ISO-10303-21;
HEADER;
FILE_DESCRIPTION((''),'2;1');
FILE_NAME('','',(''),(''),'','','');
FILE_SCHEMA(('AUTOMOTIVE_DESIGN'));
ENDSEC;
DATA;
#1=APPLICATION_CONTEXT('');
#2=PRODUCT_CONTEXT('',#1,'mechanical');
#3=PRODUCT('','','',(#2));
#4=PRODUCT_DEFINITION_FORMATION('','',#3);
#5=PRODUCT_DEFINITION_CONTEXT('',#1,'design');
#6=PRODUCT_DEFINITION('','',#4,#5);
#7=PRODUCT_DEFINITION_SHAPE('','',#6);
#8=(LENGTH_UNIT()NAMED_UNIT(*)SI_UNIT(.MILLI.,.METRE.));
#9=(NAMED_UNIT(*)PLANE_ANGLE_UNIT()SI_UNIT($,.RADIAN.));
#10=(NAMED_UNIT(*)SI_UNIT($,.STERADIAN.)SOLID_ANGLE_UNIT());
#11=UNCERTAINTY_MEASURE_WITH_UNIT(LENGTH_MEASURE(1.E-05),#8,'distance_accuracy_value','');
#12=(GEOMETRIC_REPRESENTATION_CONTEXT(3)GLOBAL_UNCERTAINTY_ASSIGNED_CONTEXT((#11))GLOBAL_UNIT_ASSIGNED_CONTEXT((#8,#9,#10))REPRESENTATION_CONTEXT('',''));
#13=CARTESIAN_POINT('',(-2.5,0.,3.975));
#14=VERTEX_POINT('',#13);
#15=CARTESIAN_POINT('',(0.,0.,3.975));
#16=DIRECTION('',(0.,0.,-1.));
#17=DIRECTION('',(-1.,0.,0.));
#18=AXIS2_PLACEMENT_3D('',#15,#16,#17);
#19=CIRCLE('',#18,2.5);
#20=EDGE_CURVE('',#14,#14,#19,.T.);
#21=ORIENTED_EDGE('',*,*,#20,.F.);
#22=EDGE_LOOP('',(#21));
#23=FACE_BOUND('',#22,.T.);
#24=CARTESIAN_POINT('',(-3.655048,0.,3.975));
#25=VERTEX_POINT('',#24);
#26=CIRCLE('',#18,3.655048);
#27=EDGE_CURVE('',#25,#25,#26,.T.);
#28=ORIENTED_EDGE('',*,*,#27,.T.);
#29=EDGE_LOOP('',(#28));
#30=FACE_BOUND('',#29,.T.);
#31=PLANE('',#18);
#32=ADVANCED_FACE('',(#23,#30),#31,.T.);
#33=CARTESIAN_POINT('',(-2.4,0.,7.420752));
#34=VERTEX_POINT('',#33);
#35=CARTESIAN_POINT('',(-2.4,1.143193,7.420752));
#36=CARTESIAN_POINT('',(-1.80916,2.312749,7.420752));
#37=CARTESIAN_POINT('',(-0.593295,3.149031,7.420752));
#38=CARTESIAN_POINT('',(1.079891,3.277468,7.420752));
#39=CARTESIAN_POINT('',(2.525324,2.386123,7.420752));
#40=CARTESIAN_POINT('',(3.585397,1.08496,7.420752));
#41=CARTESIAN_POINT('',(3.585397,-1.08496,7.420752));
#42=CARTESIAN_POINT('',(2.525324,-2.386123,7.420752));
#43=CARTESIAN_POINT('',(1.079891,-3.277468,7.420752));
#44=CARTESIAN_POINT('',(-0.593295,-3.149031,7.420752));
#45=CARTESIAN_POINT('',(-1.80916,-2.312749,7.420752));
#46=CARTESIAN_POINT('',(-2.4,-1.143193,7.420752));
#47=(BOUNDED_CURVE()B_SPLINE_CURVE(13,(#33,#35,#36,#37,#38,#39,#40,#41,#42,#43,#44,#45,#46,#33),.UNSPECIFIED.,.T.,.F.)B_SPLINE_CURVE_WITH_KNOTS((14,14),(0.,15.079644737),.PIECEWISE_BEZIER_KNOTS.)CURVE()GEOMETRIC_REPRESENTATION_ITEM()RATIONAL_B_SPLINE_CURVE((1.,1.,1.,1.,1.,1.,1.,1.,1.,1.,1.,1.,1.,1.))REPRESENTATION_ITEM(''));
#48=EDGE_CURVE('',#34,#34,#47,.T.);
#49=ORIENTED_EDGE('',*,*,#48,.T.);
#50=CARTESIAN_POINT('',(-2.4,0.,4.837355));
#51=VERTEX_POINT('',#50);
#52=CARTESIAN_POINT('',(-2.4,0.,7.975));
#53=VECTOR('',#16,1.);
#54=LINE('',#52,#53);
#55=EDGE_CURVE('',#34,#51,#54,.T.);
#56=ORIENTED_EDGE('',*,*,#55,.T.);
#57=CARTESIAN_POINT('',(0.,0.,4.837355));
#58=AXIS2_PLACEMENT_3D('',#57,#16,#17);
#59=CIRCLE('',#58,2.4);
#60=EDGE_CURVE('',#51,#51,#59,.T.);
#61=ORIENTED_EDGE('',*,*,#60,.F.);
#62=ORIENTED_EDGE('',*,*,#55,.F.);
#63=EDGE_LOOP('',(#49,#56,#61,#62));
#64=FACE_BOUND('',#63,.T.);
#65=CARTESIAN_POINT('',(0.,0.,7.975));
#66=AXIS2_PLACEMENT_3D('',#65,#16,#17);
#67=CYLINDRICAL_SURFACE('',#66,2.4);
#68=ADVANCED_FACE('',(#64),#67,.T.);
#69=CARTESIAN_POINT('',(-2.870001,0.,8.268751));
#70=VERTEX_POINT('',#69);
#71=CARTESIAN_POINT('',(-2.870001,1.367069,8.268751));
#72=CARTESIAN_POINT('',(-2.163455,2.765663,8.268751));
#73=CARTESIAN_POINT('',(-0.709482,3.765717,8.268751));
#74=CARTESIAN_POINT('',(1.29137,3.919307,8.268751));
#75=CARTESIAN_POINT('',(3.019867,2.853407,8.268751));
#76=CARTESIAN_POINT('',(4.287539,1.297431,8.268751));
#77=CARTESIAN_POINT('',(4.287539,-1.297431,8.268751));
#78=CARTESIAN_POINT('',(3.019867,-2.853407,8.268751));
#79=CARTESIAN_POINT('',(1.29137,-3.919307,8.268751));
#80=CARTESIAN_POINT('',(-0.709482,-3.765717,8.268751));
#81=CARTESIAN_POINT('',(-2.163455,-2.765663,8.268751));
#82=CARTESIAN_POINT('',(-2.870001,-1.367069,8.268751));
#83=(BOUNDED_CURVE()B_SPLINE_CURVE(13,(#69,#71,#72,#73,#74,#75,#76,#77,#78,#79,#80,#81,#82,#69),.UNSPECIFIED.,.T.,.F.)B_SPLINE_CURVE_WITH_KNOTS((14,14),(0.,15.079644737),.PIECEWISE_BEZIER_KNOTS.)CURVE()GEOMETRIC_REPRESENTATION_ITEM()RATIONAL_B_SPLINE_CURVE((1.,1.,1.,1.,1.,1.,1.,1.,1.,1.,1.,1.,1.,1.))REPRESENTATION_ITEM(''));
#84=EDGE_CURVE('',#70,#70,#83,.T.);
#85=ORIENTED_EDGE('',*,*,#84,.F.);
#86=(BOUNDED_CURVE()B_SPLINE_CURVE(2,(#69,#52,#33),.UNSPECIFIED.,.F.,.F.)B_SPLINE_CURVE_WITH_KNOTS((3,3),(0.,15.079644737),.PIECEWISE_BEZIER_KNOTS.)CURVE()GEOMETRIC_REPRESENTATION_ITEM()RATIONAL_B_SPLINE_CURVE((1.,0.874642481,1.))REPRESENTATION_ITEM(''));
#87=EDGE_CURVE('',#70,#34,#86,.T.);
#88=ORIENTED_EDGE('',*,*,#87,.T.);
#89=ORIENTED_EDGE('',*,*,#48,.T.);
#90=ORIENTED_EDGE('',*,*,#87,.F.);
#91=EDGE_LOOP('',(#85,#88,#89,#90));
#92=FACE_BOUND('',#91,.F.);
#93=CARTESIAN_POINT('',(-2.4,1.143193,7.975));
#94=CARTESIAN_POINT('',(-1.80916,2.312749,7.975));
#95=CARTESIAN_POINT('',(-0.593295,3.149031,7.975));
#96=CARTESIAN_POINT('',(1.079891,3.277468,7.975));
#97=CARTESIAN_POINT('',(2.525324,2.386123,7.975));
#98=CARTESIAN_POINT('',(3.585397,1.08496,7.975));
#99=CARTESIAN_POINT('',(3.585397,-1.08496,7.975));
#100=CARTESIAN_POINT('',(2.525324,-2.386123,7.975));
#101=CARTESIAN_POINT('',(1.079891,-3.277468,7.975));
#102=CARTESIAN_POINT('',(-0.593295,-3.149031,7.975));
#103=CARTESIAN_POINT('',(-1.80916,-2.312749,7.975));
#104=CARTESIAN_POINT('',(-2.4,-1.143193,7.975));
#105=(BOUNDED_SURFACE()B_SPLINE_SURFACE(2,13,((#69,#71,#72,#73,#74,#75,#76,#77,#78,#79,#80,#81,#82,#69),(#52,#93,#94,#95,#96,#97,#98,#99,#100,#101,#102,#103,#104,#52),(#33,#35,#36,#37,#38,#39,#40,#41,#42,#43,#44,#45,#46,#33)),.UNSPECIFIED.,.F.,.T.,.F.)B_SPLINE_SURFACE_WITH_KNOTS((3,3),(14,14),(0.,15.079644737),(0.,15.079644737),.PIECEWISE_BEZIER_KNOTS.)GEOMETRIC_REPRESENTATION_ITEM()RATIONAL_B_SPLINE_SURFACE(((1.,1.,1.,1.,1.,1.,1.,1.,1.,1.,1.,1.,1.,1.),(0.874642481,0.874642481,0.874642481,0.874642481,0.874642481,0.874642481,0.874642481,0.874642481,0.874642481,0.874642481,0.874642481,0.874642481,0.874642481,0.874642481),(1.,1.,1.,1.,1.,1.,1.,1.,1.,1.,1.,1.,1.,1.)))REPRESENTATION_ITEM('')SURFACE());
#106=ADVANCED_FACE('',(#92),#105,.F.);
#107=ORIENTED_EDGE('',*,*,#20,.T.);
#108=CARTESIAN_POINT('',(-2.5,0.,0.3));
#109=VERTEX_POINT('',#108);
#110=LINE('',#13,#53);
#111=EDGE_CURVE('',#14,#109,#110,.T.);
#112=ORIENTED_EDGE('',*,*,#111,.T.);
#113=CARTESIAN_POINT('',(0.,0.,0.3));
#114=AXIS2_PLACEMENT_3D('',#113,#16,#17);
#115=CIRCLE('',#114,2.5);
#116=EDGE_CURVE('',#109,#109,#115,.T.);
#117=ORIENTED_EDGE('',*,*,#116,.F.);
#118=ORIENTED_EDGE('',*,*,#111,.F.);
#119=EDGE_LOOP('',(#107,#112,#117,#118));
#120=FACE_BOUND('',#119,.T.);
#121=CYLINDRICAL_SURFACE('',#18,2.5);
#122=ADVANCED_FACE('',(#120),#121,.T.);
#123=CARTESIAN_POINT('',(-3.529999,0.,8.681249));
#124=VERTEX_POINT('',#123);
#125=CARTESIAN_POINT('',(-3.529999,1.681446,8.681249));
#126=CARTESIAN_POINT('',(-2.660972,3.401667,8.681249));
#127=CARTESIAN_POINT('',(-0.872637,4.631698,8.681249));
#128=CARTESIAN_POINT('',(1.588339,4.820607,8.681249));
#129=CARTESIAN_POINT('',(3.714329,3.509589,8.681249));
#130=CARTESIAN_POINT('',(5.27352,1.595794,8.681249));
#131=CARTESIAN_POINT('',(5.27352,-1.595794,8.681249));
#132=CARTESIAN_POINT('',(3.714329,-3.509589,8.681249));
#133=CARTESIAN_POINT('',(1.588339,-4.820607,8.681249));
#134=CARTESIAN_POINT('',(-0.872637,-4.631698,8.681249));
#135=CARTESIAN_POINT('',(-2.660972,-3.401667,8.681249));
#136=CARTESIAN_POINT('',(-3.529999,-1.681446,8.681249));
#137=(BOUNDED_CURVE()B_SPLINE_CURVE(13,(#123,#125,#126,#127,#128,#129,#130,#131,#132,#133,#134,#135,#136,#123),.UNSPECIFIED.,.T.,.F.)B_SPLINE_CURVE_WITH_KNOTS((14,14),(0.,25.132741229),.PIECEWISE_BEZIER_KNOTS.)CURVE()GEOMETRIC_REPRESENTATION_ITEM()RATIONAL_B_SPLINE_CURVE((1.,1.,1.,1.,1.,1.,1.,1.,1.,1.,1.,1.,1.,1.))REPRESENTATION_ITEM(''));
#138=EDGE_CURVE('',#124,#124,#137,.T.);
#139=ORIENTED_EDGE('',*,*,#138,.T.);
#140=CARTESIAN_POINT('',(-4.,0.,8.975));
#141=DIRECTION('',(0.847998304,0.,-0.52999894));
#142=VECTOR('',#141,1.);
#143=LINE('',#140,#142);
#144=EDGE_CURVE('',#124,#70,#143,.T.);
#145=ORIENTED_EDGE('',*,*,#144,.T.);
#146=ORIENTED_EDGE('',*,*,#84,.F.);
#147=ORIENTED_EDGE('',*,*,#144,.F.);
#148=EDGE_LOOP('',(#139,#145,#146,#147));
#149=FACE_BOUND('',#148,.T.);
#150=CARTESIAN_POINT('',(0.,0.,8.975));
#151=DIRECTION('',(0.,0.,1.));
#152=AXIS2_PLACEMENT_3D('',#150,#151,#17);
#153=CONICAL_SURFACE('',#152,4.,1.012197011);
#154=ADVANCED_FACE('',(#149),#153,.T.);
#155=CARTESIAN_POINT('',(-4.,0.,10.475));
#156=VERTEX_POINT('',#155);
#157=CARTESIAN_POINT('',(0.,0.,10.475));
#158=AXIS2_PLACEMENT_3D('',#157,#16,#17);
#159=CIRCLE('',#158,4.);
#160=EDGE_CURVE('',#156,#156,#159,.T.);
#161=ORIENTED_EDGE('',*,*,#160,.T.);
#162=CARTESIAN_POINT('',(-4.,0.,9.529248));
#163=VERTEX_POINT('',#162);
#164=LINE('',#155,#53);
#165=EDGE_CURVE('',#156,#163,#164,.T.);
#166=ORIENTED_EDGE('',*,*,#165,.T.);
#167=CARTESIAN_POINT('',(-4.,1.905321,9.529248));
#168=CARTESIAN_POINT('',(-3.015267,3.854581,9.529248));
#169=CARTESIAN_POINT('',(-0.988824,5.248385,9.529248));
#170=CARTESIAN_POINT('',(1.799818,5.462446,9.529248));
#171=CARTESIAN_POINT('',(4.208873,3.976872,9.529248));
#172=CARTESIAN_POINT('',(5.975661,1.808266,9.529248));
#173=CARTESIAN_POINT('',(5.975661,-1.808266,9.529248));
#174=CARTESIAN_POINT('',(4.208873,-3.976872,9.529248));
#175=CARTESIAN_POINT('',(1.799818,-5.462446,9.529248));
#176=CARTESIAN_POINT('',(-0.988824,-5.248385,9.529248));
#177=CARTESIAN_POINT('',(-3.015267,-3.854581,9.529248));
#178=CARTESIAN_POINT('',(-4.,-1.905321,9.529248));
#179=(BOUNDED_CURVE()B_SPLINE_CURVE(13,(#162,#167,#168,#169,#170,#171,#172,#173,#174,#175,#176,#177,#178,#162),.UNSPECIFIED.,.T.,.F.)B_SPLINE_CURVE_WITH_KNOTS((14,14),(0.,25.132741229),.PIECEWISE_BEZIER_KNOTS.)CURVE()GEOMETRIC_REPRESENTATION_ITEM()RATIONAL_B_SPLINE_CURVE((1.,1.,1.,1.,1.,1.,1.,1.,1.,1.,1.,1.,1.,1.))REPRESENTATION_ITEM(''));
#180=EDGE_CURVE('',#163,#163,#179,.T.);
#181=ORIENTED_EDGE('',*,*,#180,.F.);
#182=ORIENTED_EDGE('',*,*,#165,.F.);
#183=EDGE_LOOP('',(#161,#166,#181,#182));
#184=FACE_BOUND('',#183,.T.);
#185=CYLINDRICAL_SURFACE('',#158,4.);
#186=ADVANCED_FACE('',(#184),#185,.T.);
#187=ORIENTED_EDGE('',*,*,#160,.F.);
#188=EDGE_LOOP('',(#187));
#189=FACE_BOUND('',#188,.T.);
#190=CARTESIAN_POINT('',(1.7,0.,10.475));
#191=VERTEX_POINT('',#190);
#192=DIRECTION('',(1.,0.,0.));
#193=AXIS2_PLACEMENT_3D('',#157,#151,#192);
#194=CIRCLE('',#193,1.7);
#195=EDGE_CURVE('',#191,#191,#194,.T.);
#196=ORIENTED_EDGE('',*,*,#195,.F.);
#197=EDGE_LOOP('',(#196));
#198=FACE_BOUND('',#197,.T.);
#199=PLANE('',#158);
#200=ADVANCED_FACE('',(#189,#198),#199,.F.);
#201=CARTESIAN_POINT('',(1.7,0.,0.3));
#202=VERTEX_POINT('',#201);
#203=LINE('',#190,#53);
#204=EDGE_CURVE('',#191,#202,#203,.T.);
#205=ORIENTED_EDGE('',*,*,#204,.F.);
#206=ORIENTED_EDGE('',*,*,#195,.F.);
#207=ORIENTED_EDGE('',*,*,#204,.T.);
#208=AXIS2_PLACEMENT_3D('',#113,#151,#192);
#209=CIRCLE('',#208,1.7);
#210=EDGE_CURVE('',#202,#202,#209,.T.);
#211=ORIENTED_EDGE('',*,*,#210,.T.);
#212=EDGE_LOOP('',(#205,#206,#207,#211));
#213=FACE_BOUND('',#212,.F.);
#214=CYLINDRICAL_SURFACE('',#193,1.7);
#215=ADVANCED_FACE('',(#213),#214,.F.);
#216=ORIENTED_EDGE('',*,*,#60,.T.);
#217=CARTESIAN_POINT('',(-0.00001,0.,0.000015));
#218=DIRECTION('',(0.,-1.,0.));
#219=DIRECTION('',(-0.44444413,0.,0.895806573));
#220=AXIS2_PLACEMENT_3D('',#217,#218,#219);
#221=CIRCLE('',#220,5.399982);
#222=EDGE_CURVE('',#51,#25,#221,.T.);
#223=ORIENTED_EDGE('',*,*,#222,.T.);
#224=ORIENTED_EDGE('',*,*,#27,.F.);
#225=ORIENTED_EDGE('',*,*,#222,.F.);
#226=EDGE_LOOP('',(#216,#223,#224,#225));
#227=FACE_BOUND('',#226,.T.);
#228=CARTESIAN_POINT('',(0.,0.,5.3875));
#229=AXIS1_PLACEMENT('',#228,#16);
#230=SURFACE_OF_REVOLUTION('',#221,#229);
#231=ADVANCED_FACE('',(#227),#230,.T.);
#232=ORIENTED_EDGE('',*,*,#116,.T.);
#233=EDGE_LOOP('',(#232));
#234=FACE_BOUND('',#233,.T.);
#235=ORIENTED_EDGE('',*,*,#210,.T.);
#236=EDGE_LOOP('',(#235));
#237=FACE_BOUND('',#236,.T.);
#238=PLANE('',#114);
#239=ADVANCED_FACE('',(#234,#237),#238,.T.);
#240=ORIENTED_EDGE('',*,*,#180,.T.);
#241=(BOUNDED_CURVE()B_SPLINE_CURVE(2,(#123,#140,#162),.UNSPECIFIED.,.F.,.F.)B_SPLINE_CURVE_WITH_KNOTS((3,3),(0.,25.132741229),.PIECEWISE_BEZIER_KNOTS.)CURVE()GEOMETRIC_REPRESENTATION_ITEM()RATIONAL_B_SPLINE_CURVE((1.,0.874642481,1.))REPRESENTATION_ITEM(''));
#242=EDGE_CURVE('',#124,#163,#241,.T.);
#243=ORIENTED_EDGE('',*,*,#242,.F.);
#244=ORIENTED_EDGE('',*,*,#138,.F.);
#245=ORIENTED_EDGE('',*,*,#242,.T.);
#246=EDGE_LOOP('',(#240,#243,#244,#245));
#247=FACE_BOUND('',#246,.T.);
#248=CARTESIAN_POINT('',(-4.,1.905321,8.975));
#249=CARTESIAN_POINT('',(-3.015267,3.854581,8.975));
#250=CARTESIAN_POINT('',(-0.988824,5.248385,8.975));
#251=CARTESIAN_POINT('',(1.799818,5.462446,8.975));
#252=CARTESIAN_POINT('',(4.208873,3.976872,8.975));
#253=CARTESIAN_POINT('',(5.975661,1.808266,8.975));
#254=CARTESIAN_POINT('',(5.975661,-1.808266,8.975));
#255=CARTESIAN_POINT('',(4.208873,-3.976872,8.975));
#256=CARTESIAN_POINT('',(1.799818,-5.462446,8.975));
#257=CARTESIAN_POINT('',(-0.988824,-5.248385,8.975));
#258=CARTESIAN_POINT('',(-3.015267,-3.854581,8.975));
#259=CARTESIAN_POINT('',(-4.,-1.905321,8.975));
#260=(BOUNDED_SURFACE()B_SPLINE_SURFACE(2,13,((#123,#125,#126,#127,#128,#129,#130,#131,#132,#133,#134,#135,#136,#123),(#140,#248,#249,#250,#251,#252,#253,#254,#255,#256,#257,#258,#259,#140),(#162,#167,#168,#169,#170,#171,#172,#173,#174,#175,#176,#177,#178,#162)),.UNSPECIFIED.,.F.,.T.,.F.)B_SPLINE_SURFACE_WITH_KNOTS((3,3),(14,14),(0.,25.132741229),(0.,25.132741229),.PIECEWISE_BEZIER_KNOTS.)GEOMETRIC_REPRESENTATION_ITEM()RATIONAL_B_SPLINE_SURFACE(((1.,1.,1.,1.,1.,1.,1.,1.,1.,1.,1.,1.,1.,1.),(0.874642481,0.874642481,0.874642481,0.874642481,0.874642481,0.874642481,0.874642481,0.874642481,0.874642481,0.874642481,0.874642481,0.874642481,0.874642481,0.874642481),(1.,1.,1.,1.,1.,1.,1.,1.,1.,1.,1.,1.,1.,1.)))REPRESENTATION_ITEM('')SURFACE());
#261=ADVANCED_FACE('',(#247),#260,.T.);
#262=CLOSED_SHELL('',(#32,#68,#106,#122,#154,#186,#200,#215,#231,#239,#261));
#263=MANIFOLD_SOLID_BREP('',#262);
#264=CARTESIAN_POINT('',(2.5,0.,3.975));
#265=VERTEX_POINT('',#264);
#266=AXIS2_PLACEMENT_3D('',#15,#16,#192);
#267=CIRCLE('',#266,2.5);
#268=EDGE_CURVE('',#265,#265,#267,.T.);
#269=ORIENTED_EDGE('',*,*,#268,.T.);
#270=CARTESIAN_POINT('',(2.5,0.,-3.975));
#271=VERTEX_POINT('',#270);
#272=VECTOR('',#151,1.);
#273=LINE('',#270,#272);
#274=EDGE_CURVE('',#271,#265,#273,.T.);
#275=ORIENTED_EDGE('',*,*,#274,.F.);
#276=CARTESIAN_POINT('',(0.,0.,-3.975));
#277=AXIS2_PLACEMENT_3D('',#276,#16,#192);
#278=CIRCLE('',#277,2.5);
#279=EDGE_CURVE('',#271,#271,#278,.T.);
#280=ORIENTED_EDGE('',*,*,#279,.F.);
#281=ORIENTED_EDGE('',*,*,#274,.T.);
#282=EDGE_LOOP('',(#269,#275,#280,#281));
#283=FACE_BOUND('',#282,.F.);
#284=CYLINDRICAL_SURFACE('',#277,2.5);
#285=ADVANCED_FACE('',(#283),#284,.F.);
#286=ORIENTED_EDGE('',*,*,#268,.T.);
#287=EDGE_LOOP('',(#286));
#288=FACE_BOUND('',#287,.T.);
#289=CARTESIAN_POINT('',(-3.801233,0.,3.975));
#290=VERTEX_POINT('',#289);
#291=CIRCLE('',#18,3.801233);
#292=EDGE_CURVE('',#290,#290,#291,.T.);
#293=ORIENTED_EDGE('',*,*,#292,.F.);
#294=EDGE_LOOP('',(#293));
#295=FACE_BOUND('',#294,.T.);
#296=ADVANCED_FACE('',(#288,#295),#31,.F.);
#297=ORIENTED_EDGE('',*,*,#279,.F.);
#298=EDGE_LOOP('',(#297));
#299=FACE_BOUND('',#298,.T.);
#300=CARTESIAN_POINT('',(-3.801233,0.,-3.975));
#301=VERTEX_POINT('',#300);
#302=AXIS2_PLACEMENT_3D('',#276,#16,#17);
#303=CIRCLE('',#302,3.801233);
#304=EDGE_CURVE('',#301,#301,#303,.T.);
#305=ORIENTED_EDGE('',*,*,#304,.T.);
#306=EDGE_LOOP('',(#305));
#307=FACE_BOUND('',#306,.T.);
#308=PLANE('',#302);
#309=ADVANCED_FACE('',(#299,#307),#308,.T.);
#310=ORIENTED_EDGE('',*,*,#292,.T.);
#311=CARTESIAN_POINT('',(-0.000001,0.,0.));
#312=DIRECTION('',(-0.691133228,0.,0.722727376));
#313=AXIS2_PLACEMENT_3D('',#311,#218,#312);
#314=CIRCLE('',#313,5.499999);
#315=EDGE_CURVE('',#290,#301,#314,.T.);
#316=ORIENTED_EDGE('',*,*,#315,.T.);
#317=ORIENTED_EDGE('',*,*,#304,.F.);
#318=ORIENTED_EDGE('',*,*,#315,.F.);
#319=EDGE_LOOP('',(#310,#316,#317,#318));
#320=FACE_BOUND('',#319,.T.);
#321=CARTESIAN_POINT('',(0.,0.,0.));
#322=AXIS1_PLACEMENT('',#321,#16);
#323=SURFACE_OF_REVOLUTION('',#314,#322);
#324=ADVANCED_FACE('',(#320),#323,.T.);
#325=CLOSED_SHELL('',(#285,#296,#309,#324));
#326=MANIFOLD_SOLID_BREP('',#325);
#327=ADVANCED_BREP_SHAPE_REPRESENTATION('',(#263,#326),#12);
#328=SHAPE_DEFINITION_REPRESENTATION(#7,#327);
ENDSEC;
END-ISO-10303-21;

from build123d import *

# Parameters (mm, degrees)
F2_R     = 2.5
F3_DEPTH = 7.95
F6_R     = 1.7
F7_DEPTH = 10.175
F8_R     = 1
F9_R     = 1


with BuildPart() as f1:
    # F0 (on Front) → F1 (revolve)
    with BuildSketch(Plane.XZ):
        with BuildLine():
            Line((0, 3.975), (-3.801233, 3.975))
            ThreePointArc((-3.801233, 3.975), (-5.5, 0), (-3.801233, -3.975))
            Line((-3.801233, -3.975), (0, -3.975))
            Line((0, -3.975), (0, 3.975))
        make_face()
    revolve(axis=Axis((0, 0, 0), (0, 0, -1)))

    # F2 (on face) → F3 (cut, through all)
    with BuildSketch(Plane(origin=(0, 0, -3.975), x_dir=(1, 0, 0), z_dir=(0, 0, -1))):
        Circle(F2_R)
    extrude(amount=-F3_DEPTH, mode=Mode.SUBTRACT)


with BuildPart() as f5:
    # F4 (on Front) → F5 (revolve)
    with BuildSketch(Plane.XZ):
        with BuildLine():
            Line((0, 0.3), (0, 10.475))
            Line((0, 10.475), (-4, 10.475))
            Line((-4, 10.475), (-4, 8.975))
            Line((-4, 8.975), (-2.4, 7.975))
            Line((-2.4, 7.975), (-2.4, 4.837355))
            ThreePointArc((-2.4, 4.837355), (-3.058074, 4.450639), (-3.655048, 3.975))
            Line((-3.655048, 3.975), (-2.5, 3.975))
            Line((-2.5, 3.975), (-2.5, 0.3))
            Line((-2.5, 0.3), (0, 0.3))
        make_face()
    revolve(axis=Axis((0, 0, 5.3875), (0, 0, -1)))

    # F6 (on face) → F7 (cut, through all)
    with BuildSketch(Plane.XY.offset(10.475)):
        Circle(F6_R)
    extrude(amount=-F7_DEPTH, mode=Mode.SUBTRACT)

    # F8
    f8_edges = [f5.edges().sort_by_distance(p)[0] for p in [
        (2.4, 0, 7.975),
    ]]
    fillet(f8_edges, radius=F8_R)

    # F9
    f9_edges = [f5.edges().sort_by_distance(p)[0] for p in [
        (4, 0, 8.975),
    ]]
    fillet(f9_edges, radius=F9_R)


solid = Compound([f1.part, f5.part])
